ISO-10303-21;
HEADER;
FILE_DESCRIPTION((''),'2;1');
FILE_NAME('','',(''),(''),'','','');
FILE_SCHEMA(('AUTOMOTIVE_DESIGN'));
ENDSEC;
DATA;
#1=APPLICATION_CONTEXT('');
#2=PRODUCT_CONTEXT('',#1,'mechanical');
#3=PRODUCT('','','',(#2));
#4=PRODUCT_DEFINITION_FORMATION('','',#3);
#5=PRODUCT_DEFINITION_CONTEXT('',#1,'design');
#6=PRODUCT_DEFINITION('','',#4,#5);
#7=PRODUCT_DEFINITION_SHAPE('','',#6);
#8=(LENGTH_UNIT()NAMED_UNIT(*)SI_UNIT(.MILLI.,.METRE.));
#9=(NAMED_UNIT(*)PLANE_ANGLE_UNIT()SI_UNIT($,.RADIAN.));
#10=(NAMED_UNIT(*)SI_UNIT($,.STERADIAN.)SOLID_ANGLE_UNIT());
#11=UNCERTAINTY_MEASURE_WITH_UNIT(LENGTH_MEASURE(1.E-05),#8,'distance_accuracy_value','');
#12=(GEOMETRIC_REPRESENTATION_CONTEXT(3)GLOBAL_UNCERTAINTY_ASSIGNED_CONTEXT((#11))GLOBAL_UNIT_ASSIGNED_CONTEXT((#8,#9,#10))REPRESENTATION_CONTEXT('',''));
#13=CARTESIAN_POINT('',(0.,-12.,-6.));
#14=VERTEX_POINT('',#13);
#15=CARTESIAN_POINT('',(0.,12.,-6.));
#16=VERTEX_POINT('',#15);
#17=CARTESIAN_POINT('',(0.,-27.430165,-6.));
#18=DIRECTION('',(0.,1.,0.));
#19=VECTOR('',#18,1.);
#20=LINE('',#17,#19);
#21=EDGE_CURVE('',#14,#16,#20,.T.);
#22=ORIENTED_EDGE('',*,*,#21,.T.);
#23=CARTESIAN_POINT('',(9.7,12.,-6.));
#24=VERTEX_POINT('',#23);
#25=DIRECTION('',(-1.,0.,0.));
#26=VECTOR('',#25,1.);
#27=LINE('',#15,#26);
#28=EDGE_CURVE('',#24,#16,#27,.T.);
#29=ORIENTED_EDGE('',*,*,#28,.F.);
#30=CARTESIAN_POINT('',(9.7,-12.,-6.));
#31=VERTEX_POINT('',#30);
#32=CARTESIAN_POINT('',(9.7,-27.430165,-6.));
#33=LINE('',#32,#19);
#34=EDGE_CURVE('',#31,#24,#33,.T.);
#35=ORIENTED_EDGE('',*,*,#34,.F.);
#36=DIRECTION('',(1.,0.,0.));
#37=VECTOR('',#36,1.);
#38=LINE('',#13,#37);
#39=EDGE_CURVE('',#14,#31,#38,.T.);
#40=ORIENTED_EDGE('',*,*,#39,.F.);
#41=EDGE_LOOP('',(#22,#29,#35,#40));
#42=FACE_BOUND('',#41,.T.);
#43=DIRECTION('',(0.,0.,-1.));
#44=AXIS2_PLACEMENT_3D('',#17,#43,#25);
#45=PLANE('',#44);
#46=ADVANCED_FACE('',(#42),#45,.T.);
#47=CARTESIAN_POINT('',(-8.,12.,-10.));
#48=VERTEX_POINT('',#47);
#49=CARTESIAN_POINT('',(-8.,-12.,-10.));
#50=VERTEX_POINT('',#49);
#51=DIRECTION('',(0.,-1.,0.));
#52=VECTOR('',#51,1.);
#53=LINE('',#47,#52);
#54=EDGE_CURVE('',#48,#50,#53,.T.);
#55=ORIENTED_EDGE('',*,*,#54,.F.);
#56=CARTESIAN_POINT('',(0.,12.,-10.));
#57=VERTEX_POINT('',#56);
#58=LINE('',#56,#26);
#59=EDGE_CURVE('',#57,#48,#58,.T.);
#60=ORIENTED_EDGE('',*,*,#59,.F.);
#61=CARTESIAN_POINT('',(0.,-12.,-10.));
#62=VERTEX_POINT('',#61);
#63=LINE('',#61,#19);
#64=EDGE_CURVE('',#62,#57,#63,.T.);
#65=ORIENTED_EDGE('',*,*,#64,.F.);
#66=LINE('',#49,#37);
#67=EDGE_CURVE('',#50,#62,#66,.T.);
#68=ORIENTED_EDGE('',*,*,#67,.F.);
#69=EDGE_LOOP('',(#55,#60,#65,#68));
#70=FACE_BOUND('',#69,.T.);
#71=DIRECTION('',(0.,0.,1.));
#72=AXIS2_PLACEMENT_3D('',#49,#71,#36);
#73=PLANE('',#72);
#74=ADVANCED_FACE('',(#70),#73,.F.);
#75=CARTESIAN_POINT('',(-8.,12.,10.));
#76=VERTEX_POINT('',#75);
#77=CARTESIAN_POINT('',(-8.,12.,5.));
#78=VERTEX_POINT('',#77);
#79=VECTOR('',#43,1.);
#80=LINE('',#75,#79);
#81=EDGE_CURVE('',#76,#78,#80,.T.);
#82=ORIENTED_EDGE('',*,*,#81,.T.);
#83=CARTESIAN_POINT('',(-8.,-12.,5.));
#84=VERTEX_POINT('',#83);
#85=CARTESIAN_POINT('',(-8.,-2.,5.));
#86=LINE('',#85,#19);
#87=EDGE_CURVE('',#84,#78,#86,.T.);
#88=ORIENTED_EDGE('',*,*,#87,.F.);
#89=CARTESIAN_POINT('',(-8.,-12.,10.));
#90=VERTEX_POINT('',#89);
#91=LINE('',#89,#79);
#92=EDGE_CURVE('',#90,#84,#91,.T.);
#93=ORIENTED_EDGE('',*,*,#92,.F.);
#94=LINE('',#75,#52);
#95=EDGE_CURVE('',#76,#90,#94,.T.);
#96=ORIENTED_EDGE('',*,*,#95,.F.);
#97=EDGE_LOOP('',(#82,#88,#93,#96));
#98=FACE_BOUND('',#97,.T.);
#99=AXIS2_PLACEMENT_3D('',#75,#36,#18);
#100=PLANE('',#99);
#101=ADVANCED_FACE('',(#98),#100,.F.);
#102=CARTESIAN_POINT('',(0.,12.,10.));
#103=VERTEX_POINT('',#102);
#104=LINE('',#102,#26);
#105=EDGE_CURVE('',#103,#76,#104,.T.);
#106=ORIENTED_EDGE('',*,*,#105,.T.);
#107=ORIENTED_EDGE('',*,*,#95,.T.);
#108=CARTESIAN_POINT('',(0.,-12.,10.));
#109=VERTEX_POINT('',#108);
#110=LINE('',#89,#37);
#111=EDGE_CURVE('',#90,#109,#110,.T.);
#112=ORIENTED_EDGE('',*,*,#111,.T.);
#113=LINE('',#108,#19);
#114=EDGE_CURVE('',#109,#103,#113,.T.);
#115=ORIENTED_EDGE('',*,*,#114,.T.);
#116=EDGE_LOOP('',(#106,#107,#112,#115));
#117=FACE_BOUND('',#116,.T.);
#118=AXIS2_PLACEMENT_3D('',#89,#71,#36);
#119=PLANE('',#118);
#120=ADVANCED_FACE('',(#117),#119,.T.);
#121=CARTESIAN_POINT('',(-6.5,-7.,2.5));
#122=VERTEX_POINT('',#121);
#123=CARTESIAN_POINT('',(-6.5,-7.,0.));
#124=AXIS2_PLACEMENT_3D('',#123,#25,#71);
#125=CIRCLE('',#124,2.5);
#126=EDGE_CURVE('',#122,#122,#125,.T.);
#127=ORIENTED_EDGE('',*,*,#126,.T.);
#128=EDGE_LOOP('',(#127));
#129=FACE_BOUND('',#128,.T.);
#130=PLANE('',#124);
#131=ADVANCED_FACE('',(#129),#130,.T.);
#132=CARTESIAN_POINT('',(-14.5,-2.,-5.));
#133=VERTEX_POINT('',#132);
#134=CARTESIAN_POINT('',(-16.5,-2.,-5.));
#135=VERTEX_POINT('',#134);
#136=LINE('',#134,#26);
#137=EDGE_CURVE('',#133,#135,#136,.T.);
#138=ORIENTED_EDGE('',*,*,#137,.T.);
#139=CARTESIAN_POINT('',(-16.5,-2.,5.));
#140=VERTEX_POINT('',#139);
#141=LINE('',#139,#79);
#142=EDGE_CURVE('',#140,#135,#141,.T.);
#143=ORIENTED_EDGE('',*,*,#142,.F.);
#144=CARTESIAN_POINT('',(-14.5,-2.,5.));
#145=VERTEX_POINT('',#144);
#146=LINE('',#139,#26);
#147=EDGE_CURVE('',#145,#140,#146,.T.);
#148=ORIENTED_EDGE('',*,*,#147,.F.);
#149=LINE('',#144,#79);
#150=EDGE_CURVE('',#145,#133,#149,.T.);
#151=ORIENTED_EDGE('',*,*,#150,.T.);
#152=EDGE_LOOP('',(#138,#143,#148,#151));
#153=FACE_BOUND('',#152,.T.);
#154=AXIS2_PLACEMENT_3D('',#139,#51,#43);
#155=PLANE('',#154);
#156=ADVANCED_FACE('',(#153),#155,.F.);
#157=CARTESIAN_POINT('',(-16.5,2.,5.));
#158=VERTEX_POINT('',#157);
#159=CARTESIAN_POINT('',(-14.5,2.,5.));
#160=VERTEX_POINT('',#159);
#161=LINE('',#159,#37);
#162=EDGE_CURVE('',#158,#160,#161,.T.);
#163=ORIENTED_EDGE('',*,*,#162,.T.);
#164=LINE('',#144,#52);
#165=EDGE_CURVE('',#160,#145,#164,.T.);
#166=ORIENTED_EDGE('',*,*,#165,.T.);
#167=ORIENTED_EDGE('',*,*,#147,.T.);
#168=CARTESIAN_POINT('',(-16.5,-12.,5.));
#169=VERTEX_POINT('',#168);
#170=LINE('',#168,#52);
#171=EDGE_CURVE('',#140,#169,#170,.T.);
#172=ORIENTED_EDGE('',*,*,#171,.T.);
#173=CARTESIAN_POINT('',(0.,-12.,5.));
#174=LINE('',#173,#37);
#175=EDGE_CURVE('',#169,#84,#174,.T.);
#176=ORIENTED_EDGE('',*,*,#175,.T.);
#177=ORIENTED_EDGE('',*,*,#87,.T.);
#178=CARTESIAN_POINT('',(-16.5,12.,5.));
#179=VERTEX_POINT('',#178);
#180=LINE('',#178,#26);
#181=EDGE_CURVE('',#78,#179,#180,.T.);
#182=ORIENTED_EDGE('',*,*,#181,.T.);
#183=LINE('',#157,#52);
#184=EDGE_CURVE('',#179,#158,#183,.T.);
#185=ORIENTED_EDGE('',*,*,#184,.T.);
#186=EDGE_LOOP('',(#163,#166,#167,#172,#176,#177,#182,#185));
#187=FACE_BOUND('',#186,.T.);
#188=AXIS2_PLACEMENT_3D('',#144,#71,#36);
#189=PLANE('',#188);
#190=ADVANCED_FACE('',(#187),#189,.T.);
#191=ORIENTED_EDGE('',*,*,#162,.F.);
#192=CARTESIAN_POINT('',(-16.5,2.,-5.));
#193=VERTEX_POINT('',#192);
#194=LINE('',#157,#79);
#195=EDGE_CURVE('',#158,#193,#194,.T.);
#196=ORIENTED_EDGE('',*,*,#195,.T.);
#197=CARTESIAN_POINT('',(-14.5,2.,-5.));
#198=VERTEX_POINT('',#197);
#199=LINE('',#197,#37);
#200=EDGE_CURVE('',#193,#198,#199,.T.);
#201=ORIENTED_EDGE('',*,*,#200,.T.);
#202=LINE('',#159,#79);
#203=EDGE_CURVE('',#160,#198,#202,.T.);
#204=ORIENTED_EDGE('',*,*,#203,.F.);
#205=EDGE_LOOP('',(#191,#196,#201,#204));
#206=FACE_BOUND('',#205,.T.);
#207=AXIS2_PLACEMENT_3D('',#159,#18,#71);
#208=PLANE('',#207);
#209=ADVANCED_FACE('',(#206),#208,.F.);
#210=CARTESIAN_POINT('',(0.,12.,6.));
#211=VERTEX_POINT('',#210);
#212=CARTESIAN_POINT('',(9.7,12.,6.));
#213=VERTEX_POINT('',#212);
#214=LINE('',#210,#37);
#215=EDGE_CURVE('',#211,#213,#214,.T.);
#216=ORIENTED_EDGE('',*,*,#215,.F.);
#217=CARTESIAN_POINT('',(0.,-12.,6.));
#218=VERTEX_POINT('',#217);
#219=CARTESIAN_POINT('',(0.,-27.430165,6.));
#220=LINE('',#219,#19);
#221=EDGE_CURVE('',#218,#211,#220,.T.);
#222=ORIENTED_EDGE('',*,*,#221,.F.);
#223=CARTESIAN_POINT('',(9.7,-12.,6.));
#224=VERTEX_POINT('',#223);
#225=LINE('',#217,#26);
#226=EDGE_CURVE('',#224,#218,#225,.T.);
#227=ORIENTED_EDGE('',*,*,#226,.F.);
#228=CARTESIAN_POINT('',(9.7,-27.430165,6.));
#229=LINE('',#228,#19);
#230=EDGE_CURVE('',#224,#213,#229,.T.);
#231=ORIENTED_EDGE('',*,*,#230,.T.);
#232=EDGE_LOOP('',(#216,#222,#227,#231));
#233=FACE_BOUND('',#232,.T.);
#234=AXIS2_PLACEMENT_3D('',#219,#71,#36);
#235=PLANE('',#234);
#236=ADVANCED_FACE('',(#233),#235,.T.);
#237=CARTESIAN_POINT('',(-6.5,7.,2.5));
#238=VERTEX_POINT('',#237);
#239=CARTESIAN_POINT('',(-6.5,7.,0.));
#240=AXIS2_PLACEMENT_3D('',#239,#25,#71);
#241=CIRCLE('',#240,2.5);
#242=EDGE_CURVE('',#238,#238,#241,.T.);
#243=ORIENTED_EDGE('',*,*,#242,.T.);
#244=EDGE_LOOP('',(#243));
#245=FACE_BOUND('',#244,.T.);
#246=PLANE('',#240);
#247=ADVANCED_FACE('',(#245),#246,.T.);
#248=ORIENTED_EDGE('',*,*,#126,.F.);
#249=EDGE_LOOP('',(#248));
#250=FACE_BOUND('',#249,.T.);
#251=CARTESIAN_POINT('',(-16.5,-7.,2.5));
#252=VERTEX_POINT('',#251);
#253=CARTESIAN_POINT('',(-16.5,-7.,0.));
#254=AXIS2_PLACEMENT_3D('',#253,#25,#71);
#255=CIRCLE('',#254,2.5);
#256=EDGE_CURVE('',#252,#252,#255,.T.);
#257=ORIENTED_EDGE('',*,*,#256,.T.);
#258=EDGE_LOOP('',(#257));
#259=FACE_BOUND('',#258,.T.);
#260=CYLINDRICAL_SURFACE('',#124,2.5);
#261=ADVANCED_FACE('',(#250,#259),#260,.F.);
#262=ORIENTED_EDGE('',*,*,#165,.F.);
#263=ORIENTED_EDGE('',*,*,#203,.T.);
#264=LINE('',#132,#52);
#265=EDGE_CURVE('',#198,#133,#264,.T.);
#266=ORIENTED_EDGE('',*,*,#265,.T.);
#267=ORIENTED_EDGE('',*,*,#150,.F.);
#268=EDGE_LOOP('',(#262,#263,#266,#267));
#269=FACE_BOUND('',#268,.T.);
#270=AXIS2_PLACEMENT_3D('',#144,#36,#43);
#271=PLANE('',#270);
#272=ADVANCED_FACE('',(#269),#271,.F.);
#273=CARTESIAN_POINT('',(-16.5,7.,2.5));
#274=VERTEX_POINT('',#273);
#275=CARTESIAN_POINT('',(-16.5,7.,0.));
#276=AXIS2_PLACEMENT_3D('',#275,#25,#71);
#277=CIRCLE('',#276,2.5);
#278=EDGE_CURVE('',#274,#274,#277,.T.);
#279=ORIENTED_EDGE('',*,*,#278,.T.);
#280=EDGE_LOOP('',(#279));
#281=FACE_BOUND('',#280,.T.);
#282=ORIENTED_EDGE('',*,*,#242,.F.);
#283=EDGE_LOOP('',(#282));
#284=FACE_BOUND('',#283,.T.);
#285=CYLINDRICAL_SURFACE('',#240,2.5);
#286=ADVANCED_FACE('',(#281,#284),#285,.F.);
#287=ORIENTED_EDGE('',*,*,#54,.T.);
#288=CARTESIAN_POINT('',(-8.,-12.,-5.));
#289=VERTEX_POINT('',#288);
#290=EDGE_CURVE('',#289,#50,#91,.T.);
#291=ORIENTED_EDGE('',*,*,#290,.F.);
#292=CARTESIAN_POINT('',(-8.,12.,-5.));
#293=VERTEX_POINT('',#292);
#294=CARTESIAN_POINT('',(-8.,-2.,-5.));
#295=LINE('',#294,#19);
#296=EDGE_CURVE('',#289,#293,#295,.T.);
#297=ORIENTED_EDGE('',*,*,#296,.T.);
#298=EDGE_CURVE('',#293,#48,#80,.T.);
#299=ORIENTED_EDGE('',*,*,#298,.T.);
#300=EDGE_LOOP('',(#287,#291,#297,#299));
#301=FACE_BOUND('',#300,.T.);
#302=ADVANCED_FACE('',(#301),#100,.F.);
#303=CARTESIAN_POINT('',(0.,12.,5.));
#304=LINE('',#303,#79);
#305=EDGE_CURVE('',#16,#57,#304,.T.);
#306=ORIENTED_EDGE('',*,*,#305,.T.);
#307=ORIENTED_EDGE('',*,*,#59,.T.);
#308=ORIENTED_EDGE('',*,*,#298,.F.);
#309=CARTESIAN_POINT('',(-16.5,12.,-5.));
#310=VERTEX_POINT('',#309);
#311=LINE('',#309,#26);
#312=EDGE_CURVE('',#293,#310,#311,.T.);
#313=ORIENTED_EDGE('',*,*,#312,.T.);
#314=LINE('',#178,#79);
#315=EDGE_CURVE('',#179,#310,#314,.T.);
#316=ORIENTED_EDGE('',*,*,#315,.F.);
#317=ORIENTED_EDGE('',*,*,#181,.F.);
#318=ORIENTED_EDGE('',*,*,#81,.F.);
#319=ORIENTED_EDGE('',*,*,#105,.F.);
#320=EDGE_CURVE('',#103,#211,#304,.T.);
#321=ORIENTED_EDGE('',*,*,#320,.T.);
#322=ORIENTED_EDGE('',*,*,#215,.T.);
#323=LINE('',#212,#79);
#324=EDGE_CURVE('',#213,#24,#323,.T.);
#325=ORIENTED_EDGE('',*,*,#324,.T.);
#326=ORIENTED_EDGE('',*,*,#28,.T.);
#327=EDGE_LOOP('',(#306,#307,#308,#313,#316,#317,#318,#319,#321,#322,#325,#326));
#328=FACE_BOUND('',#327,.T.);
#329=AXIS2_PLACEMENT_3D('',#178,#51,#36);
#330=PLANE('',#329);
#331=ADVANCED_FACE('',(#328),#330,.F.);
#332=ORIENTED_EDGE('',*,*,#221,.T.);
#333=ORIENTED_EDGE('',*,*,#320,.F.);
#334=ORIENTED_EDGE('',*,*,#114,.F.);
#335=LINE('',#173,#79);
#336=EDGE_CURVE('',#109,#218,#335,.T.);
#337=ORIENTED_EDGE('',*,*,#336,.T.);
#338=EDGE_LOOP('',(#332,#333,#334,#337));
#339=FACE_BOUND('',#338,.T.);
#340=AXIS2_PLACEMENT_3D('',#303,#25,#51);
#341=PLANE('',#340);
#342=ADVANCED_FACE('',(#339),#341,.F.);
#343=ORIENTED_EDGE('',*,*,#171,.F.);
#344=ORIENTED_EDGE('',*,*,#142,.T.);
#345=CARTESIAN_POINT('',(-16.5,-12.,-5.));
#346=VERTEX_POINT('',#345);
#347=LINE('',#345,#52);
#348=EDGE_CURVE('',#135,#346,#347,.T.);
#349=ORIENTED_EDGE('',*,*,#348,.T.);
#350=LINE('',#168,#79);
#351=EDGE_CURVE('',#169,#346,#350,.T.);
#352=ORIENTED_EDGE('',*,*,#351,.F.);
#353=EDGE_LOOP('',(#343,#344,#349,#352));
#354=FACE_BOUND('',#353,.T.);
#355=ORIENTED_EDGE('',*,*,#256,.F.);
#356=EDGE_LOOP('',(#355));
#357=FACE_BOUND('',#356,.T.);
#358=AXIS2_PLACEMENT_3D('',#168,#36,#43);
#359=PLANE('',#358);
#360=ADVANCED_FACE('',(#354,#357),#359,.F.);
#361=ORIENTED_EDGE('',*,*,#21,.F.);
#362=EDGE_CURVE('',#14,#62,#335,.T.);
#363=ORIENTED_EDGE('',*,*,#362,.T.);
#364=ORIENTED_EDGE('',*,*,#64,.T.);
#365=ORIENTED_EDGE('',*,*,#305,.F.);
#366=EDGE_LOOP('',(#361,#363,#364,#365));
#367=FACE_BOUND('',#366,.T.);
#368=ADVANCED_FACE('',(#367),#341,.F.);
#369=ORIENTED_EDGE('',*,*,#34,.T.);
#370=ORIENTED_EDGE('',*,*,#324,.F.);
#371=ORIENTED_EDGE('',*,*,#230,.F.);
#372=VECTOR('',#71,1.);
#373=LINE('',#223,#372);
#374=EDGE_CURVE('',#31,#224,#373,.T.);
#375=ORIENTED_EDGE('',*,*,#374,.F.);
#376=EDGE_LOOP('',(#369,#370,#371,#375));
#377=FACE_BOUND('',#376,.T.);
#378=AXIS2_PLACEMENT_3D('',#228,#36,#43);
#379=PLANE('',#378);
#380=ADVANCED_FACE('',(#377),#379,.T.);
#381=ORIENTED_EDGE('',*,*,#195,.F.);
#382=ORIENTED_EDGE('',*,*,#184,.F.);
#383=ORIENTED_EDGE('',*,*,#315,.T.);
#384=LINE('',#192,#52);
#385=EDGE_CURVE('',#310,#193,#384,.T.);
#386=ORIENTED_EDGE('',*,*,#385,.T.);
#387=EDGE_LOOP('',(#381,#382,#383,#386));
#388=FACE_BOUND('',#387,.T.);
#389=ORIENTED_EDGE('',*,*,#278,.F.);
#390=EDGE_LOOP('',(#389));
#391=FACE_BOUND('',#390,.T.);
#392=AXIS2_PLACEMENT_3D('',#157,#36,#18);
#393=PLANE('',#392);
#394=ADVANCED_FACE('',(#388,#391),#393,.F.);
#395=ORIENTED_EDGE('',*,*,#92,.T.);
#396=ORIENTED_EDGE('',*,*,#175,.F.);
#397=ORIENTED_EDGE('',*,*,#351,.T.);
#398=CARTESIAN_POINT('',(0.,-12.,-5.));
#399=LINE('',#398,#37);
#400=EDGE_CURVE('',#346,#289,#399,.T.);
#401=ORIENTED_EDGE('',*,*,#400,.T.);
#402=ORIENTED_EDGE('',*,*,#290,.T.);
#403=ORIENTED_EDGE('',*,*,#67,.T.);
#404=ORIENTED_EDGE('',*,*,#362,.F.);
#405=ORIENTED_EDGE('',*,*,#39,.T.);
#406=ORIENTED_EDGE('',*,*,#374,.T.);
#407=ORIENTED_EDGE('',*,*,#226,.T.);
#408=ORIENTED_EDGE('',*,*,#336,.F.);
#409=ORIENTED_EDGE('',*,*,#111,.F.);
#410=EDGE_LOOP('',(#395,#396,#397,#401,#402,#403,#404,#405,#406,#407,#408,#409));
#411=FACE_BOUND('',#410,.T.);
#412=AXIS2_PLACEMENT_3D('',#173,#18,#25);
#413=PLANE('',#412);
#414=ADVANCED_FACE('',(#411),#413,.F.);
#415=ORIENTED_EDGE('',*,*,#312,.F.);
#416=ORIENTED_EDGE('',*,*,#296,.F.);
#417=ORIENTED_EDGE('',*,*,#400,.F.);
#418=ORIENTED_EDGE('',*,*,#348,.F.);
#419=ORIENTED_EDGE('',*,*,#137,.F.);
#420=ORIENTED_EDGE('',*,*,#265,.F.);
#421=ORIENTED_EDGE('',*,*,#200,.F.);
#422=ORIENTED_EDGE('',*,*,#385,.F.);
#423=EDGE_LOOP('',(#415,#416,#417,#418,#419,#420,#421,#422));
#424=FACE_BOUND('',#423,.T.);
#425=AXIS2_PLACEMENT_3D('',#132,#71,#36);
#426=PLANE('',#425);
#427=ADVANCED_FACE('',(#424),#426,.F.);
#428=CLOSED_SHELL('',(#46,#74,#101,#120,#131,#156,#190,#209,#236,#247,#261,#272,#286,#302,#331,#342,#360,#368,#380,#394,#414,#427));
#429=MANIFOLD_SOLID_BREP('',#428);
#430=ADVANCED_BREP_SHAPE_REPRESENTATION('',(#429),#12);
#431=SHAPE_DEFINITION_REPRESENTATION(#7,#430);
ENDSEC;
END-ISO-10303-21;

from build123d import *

# Parameters (mm, degrees)
BODY1_DEPTH    = 5
BODY2_SKETCH_W = 8
BODY2_SKETCH_H = 24
BODY2_DEPTH    = 10
CUT_SKETCH_R   = 2.5
CUT_DEPTH      = 10
SKETCH2_W      = 9.7
SKETCH2_H      = 12
L_DETAIL_DEPTH = 24


with BuildPart() as part:
    # Body1_Sketch → Body1 (new body, symmetric)
    with BuildSketch(Plane.XY):
        Polygon((-16.5, -12), (-16.5, -2), (-14.5, -2), (-14.5, 2), (-16.5, 2), (-16.5, 12), (0, 12), (0, -12), align=None)
    extrude(amount=BODY1_DEPTH, both=True)

    # Body2_Sketch → Body2 (add, symmetric)
    with BuildSketch(Plane.XY):
        with Locations((-4, 0)):
            Rectangle(BODY2_SKETCH_W, BODY2_SKETCH_H)
    extrude(amount=BODY2_DEPTH, both=True)

    # Cut_Sketch → Cut (cut)
    with BuildSketch(Plane.ZY.offset(16.5)):
        with Locations((0, 7)):
            Circle(CUT_SKETCH_R)
        with Locations((0, -7)):
            Circle(CUT_SKETCH_R)
    extrude(amount=-CUT_DEPTH, mode=Mode.SUBTRACT)

    # Sketch2 → L-Detail (add)
    with BuildSketch(Plane(origin=(0, 12, 0), x_dir=(-1, 0, 0), z_dir=(0, 1, 0))):
        with Locations((-4.85, 0)):
            Rectangle(SKETCH2_W, SKETCH2_H)
    extrude(amount=-L_DETAIL_DEPTH)


solid = part.part
